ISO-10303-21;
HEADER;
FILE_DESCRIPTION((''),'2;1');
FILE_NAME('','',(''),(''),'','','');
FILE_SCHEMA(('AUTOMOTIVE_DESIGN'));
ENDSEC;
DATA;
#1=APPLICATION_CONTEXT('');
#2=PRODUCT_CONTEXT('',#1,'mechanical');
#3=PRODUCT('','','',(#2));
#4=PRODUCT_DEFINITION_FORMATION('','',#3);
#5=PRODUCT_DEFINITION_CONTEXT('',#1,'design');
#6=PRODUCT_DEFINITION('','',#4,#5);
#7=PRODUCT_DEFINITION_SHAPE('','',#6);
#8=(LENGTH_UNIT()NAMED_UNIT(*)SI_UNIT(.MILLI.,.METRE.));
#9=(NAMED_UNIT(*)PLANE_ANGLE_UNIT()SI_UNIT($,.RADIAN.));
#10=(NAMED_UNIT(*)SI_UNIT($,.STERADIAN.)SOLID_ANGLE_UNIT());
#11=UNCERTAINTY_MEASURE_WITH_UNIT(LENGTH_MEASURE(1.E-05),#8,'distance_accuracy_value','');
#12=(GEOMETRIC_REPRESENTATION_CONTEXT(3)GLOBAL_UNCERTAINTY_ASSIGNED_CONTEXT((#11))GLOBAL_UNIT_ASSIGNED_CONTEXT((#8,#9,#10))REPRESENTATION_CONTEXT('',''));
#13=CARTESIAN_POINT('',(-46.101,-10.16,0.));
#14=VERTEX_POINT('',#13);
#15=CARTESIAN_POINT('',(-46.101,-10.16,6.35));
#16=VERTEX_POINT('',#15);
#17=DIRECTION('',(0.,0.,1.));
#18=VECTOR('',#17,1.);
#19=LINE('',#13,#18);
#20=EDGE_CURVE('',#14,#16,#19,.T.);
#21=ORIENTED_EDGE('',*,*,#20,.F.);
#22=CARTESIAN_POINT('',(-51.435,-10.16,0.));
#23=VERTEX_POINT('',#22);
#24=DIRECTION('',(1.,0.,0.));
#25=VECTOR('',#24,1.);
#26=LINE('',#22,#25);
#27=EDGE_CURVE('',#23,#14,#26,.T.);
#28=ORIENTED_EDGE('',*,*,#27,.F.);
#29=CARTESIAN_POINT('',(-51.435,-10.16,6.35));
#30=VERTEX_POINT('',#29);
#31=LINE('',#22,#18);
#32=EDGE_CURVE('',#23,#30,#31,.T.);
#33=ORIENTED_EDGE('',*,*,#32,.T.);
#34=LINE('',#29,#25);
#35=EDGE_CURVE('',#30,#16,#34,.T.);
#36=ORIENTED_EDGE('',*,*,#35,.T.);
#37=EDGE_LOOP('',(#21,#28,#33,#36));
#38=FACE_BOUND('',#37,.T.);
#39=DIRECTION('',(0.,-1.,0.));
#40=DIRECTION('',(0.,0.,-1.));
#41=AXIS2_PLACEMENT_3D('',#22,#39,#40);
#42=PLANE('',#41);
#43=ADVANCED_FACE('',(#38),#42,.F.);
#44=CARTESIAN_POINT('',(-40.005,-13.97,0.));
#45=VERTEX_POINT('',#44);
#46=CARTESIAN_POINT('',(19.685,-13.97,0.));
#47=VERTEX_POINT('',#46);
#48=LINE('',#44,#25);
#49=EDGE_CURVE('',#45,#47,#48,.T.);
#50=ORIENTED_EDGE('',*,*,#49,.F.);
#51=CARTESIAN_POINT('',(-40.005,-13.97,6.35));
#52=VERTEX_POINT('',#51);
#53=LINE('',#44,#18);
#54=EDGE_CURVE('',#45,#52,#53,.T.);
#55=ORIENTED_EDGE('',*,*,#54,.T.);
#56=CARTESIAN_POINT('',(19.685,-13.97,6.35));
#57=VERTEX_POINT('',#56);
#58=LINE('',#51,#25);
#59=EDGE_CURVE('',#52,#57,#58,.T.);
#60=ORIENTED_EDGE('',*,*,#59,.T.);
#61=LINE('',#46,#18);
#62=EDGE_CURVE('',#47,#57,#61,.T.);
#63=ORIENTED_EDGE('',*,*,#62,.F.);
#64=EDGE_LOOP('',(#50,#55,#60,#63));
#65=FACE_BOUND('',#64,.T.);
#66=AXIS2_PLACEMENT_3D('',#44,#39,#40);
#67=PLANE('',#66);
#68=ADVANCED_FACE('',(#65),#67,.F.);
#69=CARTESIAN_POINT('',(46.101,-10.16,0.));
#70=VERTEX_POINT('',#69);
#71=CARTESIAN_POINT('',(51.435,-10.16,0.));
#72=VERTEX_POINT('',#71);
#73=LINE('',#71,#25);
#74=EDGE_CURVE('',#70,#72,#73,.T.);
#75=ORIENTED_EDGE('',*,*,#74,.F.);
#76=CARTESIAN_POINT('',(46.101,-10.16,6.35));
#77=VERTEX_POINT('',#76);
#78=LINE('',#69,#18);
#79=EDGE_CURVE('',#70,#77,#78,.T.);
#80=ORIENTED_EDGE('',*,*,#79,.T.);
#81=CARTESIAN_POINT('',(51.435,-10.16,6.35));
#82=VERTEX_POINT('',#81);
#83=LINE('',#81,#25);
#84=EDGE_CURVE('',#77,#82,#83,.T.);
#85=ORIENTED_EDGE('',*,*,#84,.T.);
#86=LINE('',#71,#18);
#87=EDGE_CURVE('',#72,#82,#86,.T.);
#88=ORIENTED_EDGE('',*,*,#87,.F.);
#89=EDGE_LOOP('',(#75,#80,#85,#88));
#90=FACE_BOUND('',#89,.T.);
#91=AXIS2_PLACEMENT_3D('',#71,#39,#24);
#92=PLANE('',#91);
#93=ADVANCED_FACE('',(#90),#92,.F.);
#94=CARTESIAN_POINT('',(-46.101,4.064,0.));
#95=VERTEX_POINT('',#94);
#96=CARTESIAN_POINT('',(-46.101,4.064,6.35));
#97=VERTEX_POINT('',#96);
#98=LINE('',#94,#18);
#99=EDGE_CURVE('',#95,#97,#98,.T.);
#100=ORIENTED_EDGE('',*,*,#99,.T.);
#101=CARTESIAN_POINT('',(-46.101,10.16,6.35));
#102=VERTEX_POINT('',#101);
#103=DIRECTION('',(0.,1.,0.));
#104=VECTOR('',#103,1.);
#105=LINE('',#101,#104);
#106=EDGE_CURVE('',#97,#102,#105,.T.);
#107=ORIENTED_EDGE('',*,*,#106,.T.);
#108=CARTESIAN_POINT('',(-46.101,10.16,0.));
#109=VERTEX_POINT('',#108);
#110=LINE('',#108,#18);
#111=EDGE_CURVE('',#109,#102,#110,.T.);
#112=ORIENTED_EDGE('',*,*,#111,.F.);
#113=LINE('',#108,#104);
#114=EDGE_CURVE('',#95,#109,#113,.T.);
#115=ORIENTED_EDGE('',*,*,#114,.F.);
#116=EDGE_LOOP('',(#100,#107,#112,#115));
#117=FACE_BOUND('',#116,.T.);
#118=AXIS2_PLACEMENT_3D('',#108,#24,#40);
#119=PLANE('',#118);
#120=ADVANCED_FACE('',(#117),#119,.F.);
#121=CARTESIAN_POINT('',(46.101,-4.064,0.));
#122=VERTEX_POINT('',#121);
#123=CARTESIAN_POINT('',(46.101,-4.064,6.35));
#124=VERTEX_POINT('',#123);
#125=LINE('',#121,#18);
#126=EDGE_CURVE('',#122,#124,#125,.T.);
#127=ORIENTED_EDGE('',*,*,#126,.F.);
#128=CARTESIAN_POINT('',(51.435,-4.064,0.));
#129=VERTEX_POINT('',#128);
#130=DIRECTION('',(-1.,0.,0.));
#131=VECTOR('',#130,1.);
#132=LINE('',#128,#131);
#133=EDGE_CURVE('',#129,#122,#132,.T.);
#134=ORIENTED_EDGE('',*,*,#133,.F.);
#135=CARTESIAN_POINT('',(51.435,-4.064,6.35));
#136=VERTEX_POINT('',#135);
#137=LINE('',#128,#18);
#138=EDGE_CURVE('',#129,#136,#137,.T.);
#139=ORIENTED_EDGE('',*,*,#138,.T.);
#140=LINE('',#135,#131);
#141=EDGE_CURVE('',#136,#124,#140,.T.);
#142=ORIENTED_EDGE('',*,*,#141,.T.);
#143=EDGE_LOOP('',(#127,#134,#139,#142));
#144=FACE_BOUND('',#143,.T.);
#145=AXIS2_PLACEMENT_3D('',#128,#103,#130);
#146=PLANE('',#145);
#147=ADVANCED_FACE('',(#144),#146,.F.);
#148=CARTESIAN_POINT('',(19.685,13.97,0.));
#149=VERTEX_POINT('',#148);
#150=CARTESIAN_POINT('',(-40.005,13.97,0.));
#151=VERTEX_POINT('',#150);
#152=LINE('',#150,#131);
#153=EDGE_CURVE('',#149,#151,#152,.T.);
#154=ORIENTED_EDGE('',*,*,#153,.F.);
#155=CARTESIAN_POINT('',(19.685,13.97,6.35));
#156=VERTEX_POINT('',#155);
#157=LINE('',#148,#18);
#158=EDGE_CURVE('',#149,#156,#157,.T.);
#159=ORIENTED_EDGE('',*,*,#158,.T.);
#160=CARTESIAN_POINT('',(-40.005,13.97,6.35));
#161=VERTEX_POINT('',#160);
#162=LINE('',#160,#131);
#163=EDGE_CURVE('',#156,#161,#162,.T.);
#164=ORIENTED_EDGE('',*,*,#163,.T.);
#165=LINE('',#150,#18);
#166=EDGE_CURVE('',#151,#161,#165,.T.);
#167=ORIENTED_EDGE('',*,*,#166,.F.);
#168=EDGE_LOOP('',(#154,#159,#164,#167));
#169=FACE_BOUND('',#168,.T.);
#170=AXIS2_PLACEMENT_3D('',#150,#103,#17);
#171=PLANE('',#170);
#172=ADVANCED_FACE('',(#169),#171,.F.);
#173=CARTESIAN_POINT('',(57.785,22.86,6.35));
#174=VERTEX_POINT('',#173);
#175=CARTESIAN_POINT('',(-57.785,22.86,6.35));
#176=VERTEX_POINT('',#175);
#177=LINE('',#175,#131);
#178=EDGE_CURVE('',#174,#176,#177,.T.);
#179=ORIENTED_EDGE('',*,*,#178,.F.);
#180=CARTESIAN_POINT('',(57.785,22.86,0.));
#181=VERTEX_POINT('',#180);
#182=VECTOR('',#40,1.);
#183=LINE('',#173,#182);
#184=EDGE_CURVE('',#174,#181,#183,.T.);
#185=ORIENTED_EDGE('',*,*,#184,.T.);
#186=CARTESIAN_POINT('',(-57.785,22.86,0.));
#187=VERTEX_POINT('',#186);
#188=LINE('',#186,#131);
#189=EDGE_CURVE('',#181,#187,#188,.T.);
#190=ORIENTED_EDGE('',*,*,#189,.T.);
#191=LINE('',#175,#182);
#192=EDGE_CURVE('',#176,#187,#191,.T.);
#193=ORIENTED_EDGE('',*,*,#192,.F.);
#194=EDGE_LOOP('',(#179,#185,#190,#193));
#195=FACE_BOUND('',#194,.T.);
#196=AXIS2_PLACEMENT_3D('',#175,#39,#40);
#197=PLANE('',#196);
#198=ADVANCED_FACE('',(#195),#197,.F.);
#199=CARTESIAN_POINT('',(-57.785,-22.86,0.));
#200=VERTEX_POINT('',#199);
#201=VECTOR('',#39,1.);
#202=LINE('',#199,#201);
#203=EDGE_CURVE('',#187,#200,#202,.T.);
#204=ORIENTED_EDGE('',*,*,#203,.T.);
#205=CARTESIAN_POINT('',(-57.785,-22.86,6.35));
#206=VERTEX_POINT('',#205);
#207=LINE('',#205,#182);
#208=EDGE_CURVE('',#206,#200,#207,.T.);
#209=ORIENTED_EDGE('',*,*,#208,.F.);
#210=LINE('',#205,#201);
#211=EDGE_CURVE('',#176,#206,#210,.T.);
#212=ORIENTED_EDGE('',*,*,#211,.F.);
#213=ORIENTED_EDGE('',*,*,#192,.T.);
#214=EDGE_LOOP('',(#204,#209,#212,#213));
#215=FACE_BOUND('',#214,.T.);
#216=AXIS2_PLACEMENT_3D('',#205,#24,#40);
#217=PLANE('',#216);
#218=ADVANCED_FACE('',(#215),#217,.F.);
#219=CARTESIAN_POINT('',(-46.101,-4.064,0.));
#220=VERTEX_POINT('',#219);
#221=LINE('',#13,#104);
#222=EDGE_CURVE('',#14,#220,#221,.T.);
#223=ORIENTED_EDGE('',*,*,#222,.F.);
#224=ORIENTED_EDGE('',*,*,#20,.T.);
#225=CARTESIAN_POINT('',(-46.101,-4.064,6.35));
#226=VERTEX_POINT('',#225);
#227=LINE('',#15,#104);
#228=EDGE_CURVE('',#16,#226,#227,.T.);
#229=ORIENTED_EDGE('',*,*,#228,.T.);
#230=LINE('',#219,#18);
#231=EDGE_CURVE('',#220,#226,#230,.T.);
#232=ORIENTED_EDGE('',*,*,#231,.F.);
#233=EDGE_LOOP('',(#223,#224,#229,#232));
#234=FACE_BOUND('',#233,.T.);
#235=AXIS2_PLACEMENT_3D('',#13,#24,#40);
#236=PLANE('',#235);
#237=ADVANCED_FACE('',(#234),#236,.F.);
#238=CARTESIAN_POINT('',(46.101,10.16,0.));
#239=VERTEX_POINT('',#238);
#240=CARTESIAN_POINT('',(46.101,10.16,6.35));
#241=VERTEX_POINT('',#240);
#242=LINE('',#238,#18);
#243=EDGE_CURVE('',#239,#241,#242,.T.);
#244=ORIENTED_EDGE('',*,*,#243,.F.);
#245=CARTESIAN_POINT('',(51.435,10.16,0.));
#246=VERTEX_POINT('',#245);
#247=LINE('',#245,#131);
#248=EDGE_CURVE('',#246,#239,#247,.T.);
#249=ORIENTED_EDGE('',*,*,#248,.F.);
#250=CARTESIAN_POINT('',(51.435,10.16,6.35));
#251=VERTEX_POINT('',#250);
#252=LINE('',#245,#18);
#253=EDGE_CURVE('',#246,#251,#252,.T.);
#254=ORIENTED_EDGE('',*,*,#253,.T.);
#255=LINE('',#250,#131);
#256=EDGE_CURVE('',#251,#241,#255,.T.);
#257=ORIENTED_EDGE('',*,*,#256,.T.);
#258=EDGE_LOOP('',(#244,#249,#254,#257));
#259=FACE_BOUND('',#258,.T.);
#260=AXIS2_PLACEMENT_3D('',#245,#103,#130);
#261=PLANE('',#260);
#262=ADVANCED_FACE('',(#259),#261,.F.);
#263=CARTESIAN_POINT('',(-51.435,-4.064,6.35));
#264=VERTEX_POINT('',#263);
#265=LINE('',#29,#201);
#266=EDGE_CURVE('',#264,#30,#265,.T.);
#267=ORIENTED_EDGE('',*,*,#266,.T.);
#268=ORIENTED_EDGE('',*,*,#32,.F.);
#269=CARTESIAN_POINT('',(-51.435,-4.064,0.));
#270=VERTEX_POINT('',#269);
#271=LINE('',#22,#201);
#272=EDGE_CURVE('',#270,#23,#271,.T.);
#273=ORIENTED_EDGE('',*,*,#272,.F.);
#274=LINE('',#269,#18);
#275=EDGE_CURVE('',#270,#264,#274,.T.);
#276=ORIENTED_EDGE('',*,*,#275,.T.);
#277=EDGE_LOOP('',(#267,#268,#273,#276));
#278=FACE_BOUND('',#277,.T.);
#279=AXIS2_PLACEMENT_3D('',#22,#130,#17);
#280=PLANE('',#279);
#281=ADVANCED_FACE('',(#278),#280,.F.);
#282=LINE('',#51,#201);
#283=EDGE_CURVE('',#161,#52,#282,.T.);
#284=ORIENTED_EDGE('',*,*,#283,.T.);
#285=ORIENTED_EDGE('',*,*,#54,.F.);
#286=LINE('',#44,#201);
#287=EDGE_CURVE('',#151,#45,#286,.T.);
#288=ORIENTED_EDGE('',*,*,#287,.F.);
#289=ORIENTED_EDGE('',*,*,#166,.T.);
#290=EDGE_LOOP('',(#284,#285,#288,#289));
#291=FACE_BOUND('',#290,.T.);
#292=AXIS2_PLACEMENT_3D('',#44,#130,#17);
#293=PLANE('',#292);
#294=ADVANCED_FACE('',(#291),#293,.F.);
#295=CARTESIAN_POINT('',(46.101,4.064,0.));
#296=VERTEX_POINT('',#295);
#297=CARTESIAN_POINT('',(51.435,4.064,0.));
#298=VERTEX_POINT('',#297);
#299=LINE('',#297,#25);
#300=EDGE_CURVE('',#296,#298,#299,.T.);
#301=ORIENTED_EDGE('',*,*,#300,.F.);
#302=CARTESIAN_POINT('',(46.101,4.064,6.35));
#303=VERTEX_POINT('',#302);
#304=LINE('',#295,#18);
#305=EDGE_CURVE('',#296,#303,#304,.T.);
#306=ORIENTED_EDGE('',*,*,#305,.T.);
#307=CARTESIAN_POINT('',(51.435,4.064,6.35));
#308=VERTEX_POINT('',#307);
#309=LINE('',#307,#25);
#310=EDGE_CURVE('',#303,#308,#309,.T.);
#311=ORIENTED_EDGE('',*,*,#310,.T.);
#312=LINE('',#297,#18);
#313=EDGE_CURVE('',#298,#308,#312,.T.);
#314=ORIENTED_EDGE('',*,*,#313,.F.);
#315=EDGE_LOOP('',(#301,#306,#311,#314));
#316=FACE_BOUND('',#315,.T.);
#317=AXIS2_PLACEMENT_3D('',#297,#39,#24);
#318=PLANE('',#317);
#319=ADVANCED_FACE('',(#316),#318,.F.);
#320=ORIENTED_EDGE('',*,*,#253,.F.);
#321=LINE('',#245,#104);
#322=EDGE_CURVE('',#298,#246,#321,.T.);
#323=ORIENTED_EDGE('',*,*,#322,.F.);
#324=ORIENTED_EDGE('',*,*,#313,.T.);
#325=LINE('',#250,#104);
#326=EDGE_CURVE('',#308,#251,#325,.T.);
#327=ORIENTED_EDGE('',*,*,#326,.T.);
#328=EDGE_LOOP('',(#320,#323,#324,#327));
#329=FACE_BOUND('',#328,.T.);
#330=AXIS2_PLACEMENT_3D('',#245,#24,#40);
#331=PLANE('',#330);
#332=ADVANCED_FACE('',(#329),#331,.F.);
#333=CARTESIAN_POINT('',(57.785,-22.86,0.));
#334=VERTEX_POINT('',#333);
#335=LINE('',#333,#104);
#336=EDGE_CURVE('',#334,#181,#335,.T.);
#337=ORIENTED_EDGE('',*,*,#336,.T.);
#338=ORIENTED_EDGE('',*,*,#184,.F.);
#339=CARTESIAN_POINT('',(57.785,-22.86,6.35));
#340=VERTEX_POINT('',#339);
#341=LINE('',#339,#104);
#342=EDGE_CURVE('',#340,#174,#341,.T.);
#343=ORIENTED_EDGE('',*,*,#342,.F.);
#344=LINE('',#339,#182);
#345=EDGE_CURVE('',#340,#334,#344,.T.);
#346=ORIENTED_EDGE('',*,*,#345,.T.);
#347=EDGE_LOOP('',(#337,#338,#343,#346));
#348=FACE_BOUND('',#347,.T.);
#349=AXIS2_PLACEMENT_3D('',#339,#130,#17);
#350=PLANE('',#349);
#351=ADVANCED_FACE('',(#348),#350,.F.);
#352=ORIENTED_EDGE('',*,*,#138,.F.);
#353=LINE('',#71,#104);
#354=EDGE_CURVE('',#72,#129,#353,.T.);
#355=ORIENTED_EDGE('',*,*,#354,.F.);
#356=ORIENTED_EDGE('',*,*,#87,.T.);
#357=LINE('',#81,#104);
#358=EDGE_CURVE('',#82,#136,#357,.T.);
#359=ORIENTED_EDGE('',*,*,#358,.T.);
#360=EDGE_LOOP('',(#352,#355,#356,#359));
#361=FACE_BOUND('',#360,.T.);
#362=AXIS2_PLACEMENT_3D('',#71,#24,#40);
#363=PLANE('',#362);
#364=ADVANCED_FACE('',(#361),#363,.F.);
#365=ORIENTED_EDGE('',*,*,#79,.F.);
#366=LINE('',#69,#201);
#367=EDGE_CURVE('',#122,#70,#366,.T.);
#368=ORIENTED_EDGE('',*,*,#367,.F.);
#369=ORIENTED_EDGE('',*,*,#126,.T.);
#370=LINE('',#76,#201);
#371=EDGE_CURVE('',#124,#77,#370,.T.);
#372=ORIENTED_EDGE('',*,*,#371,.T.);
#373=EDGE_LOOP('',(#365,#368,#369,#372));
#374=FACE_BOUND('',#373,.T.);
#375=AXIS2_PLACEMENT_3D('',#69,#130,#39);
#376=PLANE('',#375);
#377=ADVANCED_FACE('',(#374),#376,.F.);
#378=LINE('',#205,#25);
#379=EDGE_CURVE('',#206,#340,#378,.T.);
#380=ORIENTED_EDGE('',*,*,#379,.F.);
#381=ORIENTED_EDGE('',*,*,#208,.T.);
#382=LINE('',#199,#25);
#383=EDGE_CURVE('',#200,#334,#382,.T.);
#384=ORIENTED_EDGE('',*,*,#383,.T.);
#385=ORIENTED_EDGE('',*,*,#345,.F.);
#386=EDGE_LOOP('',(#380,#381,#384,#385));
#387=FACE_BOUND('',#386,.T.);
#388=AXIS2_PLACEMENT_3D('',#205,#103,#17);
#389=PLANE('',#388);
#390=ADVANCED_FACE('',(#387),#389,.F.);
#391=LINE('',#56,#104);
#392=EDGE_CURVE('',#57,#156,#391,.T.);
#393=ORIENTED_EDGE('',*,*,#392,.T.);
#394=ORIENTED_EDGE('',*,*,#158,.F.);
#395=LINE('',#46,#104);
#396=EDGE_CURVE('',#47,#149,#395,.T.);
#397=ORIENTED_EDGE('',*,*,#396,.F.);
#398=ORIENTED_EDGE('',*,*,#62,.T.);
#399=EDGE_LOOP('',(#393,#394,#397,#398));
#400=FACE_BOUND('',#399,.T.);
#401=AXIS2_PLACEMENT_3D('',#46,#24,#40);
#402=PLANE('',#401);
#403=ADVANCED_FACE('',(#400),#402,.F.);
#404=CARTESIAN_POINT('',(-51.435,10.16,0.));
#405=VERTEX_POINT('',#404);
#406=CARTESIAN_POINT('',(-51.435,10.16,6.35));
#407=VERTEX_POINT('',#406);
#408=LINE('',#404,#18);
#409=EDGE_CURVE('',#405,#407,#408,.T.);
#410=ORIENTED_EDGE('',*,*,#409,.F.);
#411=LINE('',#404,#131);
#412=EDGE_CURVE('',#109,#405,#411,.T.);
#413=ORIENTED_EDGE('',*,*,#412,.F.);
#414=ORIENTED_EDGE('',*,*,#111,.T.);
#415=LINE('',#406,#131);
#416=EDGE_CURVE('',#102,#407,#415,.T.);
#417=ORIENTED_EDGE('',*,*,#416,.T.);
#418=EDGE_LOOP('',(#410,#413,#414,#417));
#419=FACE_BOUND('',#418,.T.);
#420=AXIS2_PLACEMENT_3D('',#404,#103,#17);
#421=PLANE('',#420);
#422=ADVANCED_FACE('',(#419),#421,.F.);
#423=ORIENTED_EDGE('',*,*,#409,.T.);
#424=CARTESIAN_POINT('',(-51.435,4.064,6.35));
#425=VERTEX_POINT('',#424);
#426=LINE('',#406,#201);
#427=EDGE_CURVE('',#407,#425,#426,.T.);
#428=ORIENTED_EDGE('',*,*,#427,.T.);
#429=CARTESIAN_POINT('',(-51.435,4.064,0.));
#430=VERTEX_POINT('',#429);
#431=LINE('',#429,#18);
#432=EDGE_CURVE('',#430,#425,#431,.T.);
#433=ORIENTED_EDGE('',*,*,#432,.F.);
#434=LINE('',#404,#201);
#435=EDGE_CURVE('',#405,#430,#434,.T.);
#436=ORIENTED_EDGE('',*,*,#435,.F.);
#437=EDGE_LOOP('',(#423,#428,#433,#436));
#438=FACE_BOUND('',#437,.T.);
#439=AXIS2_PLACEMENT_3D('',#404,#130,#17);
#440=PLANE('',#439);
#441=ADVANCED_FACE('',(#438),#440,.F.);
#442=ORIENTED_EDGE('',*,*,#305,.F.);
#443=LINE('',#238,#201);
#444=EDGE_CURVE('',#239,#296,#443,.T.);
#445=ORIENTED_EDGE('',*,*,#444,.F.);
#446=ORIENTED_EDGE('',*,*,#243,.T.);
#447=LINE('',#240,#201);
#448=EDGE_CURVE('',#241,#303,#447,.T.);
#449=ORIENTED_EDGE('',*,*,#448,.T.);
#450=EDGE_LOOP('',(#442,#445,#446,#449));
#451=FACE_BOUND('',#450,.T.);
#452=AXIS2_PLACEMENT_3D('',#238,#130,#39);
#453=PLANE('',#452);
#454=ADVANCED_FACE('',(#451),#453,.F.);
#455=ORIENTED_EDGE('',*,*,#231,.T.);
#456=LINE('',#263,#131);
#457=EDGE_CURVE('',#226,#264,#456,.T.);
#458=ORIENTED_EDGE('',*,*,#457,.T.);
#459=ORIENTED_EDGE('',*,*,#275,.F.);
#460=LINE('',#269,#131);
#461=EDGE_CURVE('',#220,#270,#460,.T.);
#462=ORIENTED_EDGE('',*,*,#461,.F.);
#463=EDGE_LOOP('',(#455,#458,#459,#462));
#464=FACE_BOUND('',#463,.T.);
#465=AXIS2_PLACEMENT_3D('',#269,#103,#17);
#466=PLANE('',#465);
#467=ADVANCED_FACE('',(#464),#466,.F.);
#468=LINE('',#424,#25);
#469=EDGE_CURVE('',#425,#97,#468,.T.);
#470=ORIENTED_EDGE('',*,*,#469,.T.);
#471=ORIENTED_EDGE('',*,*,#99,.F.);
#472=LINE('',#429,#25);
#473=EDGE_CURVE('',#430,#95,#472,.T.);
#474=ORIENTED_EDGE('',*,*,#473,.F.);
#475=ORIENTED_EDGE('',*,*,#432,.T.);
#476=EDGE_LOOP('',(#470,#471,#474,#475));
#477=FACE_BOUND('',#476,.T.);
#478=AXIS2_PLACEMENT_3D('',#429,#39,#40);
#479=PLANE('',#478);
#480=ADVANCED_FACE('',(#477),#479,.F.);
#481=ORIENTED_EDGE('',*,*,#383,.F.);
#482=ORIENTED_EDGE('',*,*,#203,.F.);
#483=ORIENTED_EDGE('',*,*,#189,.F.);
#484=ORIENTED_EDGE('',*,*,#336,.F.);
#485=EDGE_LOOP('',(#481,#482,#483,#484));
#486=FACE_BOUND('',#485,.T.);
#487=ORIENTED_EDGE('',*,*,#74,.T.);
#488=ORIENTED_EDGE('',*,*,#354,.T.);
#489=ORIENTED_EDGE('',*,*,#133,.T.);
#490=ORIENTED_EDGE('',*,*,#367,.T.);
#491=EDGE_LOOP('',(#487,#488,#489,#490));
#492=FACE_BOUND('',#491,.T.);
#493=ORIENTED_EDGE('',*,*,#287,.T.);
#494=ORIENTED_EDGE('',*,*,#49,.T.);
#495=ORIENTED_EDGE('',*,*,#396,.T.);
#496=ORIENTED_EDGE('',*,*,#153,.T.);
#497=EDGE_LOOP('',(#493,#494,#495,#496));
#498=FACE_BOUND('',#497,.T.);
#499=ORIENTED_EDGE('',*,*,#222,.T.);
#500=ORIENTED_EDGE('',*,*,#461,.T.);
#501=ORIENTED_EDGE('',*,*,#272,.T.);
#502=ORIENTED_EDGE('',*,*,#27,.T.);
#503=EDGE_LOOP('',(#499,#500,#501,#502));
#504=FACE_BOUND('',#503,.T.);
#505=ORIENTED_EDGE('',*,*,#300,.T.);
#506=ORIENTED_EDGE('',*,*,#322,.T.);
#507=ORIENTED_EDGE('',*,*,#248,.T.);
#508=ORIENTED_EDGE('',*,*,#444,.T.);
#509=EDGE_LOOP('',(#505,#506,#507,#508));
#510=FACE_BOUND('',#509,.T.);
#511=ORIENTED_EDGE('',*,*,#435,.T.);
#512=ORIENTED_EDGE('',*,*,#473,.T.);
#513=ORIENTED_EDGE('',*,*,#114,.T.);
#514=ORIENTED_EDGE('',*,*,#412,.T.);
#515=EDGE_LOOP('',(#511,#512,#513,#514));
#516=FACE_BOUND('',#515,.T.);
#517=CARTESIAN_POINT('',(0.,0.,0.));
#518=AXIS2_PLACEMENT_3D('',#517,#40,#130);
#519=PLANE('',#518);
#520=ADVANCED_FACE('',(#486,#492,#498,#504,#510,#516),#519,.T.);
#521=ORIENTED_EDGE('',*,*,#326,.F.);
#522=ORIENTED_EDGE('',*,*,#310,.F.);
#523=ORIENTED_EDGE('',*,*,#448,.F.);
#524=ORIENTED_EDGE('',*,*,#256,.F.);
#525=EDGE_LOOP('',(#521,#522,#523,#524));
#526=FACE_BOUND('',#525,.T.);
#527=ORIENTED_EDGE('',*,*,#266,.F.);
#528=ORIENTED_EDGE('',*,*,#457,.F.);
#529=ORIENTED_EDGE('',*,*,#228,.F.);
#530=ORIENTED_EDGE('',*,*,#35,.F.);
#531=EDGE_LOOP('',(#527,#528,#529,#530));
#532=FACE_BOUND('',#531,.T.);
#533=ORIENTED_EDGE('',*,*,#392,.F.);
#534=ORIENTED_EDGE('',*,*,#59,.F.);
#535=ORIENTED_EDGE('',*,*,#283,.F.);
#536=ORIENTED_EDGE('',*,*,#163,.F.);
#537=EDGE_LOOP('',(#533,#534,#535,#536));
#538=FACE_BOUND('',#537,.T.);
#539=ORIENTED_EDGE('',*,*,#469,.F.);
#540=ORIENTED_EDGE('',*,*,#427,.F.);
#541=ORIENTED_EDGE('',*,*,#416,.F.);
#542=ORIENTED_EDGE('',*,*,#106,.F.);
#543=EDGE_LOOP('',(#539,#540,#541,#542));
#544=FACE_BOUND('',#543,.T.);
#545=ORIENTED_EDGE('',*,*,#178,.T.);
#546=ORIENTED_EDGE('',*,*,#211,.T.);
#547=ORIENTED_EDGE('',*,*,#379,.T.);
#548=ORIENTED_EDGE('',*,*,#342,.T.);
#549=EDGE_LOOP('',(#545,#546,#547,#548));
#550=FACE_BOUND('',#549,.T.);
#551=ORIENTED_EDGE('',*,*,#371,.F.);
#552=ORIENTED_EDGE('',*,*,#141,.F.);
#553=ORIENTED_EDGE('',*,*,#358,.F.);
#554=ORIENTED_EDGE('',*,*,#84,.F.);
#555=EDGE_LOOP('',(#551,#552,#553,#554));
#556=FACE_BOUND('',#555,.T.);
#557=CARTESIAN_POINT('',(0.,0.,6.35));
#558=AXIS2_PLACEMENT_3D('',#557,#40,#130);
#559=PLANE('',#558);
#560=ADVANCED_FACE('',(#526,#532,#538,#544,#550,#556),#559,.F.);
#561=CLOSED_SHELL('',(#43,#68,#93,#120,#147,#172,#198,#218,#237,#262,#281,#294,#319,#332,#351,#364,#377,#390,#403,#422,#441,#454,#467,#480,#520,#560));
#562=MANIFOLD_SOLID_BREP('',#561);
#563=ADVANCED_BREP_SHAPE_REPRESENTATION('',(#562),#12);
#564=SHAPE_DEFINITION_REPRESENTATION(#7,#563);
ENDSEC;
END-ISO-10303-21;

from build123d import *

# Parameters (mm, degrees)
SKETCH1_W           = 115.57
SKETCH1_H           = 45.72
BOSS_EXTRUDE1_DEPTH = 6.35
SKETCH2_W           = 59.69
SKETCH2_H           = 27.94
CUT_EXTRUDE1_DEPTH  = 7.35
SKETCH3_W           = 5.334
SKETCH3_H           = 6.096
CUT_EXTRUDE2_DEPTH  = 7.35


with BuildPart() as part:
    # Sketch1 → Boss-Extrude1 (new body)
    with BuildSketch(Plane.XY):
        Rectangle(SKETCH1_W, SKETCH1_H)
    extrude(amount=BOSS_EXTRUDE1_DEPTH)

    # Sketch2 → Cut-Extrude1 (cut, through all)
    with BuildSketch(Plane.XY.offset(6.35)):
        with Locations((-10.16, 0)):
            Rectangle(SKETCH2_W, SKETCH2_H)
    extrude(amount=-CUT_EXTRUDE1_DEPTH, mode=Mode.SUBTRACT)

    # Sketch3 → Cut-Extrude2 (cut, through all)
    with BuildSketch(Plane.XY.offset(6.35)):
        with Locations((-48.768, 7.112)):
            Rectangle(SKETCH3_W, SKETCH3_H)
        with Locations((-48.768, -7.112)):
            Rectangle(SKETCH3_W, SKETCH3_H)
        with Locations((48.768, -7.112)):
            Rectangle(SKETCH3_W, SKETCH3_H)
        with Locations((48.768, 7.112)):
            Rectangle(SKETCH3_W, SKETCH3_H)
    extrude(amount=-CUT_EXTRUDE2_DEPTH, mode=Mode.SUBTRACT)


solid = part.part
